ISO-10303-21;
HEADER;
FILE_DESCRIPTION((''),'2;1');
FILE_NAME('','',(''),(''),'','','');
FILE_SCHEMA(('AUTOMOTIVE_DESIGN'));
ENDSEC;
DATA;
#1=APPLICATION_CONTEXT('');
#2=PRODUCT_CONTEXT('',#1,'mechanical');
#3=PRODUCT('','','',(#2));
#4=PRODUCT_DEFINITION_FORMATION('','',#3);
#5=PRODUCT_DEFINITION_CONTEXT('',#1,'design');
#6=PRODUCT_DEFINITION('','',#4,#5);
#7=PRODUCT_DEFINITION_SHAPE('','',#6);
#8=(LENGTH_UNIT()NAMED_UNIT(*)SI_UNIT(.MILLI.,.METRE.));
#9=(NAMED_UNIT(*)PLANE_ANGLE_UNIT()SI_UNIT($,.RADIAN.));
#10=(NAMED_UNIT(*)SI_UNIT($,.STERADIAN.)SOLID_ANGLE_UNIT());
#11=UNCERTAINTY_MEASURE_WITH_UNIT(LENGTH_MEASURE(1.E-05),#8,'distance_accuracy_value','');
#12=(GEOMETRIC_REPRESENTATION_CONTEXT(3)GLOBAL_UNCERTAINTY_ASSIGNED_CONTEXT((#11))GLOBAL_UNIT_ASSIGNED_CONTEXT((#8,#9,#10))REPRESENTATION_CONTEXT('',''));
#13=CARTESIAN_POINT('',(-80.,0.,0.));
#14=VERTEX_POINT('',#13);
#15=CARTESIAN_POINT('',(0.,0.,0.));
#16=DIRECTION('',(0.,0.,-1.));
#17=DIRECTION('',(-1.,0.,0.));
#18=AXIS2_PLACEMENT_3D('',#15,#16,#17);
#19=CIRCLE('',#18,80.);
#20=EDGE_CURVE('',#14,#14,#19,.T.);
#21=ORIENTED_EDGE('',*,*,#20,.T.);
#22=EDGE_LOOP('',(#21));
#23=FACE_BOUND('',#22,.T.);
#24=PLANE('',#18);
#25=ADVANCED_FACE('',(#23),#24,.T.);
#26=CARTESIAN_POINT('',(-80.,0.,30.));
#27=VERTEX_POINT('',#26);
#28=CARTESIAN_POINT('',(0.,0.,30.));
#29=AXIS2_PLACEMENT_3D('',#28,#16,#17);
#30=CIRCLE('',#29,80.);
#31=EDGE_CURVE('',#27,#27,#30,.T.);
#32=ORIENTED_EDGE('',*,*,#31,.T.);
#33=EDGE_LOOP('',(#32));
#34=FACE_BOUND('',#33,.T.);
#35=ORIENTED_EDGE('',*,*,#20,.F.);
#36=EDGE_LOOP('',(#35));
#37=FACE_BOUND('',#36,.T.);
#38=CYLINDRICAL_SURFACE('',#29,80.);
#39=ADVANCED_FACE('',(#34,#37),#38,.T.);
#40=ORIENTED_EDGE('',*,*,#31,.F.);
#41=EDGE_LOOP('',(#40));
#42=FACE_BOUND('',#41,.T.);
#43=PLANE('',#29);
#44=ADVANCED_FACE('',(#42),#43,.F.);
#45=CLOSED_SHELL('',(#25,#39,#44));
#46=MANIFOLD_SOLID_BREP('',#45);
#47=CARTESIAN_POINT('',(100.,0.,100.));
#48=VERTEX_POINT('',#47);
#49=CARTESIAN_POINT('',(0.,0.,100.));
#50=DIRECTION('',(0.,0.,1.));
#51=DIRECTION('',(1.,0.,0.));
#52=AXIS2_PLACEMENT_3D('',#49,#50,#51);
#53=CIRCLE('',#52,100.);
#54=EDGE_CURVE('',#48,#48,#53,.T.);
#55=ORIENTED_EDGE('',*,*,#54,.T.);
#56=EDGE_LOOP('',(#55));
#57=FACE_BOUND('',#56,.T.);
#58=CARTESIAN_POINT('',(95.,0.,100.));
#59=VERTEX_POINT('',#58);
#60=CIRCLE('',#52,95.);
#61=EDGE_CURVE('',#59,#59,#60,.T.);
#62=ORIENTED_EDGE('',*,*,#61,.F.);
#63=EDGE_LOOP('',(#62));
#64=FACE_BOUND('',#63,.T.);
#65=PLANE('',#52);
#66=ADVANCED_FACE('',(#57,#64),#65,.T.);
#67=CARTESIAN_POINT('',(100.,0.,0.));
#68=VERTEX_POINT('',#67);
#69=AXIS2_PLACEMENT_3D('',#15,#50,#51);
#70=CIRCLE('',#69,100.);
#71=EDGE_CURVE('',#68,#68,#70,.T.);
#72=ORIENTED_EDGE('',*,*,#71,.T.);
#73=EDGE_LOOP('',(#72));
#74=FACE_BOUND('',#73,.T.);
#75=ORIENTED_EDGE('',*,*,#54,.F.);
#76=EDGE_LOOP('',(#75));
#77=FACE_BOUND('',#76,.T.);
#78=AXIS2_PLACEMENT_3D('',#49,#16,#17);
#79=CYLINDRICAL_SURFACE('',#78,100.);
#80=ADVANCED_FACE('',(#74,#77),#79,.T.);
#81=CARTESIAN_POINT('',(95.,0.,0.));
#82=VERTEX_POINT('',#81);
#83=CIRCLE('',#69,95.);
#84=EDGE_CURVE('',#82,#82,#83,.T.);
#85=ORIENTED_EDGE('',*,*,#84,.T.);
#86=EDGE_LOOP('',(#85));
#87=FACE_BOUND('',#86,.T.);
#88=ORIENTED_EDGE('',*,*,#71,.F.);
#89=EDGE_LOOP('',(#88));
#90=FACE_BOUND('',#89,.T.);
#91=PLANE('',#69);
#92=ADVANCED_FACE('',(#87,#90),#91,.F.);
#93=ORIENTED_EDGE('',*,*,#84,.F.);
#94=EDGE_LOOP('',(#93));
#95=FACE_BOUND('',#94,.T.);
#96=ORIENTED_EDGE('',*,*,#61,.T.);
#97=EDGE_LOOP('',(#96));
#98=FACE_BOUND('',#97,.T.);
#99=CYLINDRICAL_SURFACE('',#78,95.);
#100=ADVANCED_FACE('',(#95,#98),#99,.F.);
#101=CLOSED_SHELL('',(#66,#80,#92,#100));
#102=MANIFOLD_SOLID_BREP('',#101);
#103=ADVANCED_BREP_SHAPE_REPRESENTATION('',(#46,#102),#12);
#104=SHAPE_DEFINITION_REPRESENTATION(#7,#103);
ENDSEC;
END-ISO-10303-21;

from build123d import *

# Parameters (mm, degrees)
SKETCH_11_R     = 100
SKETCH_11_R_2   = 95
EXTRUDE_4_DEPTH = 100
SKETCH_12_R     = 80
EXTRUDE_5_DEPTH = 30


with BuildPart() as part:
    # 草图11 → 凸台-拉伸4 (new body)
    with BuildSketch(Plane.XY):
        Circle(SKETCH_11_R)
        Circle(SKETCH_11_R_2, mode=Mode.SUBTRACT)
    extrude(amount=EXTRUDE_4_DEPTH)


with BuildPart() as body_2:
    # 草图12 → 凸台-拉伸5 (new body)
    with BuildSketch(Plane(origin=(0, 0, 0), x_dir=(-1, 0, 0), z_dir=(0, 0, -1))):
        Circle(SKETCH_12_R)
    extrude(amount=-EXTRUDE_5_DEPTH)


solid = Compound([part.part, body_2.part])
